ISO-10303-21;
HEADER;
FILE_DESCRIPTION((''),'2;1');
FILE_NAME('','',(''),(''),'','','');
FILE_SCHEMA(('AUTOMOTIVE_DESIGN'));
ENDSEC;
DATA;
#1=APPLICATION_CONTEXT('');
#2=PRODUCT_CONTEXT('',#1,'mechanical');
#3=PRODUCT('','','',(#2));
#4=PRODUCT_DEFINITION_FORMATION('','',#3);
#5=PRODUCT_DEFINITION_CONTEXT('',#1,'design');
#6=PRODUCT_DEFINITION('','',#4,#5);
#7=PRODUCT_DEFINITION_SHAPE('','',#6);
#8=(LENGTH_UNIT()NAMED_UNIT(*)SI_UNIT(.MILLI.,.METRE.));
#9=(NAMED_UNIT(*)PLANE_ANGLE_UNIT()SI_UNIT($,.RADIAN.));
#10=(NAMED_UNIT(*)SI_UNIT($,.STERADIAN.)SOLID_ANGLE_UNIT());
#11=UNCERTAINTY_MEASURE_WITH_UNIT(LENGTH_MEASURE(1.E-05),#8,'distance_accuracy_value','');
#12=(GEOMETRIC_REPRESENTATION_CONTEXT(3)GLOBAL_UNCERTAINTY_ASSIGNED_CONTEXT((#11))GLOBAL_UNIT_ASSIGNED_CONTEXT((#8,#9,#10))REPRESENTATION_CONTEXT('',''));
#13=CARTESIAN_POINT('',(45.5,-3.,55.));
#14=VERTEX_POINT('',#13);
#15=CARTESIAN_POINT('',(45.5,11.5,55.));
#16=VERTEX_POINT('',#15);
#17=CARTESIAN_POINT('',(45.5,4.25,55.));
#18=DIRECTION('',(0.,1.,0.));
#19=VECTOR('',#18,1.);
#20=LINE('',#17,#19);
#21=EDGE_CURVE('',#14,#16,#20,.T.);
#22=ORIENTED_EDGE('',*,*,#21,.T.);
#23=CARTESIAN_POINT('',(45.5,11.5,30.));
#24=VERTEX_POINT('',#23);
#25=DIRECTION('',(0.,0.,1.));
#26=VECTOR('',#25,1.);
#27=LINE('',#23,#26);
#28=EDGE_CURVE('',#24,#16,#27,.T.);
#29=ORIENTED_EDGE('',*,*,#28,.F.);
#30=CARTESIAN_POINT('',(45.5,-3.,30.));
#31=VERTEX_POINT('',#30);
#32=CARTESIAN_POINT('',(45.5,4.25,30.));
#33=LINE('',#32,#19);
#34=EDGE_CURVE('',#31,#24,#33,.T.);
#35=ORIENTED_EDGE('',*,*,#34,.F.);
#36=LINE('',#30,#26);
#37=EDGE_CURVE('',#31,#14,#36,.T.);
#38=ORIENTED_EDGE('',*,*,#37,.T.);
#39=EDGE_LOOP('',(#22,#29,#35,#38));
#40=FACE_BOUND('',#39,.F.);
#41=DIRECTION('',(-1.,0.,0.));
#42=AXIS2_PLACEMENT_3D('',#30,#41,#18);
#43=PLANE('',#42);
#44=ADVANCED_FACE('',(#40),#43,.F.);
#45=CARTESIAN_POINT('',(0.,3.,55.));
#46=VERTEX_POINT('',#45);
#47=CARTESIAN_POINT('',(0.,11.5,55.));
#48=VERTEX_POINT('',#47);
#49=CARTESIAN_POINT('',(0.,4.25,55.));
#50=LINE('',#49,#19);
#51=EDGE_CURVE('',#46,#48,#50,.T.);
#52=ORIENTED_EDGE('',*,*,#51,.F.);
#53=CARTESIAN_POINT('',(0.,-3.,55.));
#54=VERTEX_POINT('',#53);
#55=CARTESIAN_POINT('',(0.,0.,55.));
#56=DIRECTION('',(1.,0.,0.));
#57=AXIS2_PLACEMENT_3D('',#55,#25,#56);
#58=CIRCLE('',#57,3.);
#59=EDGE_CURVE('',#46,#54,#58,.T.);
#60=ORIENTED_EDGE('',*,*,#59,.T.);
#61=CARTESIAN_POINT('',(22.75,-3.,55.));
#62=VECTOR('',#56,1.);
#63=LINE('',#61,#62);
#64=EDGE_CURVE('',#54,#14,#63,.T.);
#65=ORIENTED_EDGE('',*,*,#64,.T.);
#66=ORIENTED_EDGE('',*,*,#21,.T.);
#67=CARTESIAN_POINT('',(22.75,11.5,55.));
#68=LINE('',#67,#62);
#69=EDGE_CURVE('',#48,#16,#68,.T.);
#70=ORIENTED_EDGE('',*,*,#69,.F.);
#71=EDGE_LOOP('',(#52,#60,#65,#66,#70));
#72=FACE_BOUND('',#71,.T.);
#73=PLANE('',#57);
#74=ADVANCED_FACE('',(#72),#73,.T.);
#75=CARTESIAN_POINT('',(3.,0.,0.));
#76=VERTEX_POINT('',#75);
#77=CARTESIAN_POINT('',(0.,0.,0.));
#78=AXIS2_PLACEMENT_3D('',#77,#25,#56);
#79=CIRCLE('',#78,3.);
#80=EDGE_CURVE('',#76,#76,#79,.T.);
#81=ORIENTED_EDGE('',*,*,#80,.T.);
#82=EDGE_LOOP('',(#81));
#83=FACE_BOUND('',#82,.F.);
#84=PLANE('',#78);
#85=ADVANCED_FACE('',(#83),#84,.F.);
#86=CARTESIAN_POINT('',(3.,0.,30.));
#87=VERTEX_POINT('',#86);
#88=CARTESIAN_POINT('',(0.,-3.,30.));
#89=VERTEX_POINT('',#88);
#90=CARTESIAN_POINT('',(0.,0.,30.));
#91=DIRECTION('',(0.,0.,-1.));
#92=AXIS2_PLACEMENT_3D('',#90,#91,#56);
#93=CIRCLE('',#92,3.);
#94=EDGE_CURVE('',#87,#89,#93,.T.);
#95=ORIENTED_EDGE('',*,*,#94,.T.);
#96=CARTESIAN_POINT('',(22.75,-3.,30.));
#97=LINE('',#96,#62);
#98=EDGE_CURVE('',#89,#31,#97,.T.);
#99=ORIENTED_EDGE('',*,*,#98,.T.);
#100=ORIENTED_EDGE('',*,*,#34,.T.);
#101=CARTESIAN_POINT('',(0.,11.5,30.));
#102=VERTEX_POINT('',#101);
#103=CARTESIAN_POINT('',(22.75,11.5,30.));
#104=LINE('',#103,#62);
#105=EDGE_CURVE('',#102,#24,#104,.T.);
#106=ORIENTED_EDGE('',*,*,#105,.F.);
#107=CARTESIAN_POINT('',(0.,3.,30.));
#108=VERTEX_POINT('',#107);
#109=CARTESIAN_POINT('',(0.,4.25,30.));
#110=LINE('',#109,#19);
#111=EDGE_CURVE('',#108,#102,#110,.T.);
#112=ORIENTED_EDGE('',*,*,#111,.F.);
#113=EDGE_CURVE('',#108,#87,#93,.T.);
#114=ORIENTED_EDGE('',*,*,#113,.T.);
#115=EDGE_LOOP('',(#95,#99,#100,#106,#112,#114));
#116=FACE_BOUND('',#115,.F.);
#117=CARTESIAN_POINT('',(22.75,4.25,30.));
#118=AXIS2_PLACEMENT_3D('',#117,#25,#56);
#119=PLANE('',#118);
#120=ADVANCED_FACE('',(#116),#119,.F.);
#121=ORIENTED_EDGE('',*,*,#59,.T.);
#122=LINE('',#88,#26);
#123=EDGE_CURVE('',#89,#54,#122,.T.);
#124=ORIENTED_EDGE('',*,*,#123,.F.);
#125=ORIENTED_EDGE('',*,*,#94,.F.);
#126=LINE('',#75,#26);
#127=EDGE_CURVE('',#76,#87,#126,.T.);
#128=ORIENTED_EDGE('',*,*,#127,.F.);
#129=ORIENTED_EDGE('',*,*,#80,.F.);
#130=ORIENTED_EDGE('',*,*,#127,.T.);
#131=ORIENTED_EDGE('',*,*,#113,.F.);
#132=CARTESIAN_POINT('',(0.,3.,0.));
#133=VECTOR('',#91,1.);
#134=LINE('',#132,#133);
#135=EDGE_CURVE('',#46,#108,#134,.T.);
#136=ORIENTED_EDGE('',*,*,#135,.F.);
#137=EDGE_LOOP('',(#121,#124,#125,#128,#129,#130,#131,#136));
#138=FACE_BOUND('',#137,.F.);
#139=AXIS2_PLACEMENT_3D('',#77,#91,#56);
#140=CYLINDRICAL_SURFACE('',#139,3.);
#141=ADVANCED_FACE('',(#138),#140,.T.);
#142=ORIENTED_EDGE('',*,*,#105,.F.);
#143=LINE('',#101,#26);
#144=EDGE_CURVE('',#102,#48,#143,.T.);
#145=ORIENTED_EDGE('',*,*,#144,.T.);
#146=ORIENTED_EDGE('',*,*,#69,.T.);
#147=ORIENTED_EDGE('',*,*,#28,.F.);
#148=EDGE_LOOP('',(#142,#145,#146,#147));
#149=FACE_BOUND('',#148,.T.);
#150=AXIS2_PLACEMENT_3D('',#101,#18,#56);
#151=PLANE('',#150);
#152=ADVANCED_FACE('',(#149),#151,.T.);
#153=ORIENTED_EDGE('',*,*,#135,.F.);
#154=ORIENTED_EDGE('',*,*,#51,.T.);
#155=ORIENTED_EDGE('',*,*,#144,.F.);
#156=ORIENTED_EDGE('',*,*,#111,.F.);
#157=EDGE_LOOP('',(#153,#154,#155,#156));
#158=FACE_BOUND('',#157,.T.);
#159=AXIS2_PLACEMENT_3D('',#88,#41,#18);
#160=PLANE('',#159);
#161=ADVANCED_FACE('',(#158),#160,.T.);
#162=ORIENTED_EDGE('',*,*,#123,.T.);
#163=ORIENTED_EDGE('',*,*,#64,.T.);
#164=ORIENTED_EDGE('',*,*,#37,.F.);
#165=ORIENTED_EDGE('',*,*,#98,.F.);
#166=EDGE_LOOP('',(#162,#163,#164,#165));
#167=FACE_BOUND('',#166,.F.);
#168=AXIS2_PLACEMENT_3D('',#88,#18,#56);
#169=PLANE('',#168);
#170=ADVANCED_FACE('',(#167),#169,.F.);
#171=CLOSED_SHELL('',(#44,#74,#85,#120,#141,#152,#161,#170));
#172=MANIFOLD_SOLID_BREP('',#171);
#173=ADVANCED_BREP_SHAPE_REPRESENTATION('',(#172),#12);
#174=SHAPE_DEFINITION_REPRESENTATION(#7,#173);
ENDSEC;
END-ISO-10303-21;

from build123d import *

# Parameters (mm, degrees)
CYLINDER_R     = 3
CYLINDER_DEPTH = 55
BOX_W          = 45.5
BOX_H          = 14.5
BOX_DEPTH      = 25


with BuildPart() as cylinder:
    # Cylinder → Cylinder (new body)
    with BuildSketch(Plane.XY):
        Circle(CYLINDER_R)
    extrude(amount=CYLINDER_DEPTH)


with BuildPart() as fusion:
    # Box → Box (new body)
    with BuildSketch(Plane(origin=(0, -3, 30), x_dir=(1, 0, 0), z_dir=(0, 0, 1))):
        with Locations((22.75, 7.25)):
            Rectangle(BOX_W, BOX_H)
    extrude(amount=BOX_DEPTH)

    # Fusion: union Cylinder
    add(cylinder.part)


solid = fusion.part
